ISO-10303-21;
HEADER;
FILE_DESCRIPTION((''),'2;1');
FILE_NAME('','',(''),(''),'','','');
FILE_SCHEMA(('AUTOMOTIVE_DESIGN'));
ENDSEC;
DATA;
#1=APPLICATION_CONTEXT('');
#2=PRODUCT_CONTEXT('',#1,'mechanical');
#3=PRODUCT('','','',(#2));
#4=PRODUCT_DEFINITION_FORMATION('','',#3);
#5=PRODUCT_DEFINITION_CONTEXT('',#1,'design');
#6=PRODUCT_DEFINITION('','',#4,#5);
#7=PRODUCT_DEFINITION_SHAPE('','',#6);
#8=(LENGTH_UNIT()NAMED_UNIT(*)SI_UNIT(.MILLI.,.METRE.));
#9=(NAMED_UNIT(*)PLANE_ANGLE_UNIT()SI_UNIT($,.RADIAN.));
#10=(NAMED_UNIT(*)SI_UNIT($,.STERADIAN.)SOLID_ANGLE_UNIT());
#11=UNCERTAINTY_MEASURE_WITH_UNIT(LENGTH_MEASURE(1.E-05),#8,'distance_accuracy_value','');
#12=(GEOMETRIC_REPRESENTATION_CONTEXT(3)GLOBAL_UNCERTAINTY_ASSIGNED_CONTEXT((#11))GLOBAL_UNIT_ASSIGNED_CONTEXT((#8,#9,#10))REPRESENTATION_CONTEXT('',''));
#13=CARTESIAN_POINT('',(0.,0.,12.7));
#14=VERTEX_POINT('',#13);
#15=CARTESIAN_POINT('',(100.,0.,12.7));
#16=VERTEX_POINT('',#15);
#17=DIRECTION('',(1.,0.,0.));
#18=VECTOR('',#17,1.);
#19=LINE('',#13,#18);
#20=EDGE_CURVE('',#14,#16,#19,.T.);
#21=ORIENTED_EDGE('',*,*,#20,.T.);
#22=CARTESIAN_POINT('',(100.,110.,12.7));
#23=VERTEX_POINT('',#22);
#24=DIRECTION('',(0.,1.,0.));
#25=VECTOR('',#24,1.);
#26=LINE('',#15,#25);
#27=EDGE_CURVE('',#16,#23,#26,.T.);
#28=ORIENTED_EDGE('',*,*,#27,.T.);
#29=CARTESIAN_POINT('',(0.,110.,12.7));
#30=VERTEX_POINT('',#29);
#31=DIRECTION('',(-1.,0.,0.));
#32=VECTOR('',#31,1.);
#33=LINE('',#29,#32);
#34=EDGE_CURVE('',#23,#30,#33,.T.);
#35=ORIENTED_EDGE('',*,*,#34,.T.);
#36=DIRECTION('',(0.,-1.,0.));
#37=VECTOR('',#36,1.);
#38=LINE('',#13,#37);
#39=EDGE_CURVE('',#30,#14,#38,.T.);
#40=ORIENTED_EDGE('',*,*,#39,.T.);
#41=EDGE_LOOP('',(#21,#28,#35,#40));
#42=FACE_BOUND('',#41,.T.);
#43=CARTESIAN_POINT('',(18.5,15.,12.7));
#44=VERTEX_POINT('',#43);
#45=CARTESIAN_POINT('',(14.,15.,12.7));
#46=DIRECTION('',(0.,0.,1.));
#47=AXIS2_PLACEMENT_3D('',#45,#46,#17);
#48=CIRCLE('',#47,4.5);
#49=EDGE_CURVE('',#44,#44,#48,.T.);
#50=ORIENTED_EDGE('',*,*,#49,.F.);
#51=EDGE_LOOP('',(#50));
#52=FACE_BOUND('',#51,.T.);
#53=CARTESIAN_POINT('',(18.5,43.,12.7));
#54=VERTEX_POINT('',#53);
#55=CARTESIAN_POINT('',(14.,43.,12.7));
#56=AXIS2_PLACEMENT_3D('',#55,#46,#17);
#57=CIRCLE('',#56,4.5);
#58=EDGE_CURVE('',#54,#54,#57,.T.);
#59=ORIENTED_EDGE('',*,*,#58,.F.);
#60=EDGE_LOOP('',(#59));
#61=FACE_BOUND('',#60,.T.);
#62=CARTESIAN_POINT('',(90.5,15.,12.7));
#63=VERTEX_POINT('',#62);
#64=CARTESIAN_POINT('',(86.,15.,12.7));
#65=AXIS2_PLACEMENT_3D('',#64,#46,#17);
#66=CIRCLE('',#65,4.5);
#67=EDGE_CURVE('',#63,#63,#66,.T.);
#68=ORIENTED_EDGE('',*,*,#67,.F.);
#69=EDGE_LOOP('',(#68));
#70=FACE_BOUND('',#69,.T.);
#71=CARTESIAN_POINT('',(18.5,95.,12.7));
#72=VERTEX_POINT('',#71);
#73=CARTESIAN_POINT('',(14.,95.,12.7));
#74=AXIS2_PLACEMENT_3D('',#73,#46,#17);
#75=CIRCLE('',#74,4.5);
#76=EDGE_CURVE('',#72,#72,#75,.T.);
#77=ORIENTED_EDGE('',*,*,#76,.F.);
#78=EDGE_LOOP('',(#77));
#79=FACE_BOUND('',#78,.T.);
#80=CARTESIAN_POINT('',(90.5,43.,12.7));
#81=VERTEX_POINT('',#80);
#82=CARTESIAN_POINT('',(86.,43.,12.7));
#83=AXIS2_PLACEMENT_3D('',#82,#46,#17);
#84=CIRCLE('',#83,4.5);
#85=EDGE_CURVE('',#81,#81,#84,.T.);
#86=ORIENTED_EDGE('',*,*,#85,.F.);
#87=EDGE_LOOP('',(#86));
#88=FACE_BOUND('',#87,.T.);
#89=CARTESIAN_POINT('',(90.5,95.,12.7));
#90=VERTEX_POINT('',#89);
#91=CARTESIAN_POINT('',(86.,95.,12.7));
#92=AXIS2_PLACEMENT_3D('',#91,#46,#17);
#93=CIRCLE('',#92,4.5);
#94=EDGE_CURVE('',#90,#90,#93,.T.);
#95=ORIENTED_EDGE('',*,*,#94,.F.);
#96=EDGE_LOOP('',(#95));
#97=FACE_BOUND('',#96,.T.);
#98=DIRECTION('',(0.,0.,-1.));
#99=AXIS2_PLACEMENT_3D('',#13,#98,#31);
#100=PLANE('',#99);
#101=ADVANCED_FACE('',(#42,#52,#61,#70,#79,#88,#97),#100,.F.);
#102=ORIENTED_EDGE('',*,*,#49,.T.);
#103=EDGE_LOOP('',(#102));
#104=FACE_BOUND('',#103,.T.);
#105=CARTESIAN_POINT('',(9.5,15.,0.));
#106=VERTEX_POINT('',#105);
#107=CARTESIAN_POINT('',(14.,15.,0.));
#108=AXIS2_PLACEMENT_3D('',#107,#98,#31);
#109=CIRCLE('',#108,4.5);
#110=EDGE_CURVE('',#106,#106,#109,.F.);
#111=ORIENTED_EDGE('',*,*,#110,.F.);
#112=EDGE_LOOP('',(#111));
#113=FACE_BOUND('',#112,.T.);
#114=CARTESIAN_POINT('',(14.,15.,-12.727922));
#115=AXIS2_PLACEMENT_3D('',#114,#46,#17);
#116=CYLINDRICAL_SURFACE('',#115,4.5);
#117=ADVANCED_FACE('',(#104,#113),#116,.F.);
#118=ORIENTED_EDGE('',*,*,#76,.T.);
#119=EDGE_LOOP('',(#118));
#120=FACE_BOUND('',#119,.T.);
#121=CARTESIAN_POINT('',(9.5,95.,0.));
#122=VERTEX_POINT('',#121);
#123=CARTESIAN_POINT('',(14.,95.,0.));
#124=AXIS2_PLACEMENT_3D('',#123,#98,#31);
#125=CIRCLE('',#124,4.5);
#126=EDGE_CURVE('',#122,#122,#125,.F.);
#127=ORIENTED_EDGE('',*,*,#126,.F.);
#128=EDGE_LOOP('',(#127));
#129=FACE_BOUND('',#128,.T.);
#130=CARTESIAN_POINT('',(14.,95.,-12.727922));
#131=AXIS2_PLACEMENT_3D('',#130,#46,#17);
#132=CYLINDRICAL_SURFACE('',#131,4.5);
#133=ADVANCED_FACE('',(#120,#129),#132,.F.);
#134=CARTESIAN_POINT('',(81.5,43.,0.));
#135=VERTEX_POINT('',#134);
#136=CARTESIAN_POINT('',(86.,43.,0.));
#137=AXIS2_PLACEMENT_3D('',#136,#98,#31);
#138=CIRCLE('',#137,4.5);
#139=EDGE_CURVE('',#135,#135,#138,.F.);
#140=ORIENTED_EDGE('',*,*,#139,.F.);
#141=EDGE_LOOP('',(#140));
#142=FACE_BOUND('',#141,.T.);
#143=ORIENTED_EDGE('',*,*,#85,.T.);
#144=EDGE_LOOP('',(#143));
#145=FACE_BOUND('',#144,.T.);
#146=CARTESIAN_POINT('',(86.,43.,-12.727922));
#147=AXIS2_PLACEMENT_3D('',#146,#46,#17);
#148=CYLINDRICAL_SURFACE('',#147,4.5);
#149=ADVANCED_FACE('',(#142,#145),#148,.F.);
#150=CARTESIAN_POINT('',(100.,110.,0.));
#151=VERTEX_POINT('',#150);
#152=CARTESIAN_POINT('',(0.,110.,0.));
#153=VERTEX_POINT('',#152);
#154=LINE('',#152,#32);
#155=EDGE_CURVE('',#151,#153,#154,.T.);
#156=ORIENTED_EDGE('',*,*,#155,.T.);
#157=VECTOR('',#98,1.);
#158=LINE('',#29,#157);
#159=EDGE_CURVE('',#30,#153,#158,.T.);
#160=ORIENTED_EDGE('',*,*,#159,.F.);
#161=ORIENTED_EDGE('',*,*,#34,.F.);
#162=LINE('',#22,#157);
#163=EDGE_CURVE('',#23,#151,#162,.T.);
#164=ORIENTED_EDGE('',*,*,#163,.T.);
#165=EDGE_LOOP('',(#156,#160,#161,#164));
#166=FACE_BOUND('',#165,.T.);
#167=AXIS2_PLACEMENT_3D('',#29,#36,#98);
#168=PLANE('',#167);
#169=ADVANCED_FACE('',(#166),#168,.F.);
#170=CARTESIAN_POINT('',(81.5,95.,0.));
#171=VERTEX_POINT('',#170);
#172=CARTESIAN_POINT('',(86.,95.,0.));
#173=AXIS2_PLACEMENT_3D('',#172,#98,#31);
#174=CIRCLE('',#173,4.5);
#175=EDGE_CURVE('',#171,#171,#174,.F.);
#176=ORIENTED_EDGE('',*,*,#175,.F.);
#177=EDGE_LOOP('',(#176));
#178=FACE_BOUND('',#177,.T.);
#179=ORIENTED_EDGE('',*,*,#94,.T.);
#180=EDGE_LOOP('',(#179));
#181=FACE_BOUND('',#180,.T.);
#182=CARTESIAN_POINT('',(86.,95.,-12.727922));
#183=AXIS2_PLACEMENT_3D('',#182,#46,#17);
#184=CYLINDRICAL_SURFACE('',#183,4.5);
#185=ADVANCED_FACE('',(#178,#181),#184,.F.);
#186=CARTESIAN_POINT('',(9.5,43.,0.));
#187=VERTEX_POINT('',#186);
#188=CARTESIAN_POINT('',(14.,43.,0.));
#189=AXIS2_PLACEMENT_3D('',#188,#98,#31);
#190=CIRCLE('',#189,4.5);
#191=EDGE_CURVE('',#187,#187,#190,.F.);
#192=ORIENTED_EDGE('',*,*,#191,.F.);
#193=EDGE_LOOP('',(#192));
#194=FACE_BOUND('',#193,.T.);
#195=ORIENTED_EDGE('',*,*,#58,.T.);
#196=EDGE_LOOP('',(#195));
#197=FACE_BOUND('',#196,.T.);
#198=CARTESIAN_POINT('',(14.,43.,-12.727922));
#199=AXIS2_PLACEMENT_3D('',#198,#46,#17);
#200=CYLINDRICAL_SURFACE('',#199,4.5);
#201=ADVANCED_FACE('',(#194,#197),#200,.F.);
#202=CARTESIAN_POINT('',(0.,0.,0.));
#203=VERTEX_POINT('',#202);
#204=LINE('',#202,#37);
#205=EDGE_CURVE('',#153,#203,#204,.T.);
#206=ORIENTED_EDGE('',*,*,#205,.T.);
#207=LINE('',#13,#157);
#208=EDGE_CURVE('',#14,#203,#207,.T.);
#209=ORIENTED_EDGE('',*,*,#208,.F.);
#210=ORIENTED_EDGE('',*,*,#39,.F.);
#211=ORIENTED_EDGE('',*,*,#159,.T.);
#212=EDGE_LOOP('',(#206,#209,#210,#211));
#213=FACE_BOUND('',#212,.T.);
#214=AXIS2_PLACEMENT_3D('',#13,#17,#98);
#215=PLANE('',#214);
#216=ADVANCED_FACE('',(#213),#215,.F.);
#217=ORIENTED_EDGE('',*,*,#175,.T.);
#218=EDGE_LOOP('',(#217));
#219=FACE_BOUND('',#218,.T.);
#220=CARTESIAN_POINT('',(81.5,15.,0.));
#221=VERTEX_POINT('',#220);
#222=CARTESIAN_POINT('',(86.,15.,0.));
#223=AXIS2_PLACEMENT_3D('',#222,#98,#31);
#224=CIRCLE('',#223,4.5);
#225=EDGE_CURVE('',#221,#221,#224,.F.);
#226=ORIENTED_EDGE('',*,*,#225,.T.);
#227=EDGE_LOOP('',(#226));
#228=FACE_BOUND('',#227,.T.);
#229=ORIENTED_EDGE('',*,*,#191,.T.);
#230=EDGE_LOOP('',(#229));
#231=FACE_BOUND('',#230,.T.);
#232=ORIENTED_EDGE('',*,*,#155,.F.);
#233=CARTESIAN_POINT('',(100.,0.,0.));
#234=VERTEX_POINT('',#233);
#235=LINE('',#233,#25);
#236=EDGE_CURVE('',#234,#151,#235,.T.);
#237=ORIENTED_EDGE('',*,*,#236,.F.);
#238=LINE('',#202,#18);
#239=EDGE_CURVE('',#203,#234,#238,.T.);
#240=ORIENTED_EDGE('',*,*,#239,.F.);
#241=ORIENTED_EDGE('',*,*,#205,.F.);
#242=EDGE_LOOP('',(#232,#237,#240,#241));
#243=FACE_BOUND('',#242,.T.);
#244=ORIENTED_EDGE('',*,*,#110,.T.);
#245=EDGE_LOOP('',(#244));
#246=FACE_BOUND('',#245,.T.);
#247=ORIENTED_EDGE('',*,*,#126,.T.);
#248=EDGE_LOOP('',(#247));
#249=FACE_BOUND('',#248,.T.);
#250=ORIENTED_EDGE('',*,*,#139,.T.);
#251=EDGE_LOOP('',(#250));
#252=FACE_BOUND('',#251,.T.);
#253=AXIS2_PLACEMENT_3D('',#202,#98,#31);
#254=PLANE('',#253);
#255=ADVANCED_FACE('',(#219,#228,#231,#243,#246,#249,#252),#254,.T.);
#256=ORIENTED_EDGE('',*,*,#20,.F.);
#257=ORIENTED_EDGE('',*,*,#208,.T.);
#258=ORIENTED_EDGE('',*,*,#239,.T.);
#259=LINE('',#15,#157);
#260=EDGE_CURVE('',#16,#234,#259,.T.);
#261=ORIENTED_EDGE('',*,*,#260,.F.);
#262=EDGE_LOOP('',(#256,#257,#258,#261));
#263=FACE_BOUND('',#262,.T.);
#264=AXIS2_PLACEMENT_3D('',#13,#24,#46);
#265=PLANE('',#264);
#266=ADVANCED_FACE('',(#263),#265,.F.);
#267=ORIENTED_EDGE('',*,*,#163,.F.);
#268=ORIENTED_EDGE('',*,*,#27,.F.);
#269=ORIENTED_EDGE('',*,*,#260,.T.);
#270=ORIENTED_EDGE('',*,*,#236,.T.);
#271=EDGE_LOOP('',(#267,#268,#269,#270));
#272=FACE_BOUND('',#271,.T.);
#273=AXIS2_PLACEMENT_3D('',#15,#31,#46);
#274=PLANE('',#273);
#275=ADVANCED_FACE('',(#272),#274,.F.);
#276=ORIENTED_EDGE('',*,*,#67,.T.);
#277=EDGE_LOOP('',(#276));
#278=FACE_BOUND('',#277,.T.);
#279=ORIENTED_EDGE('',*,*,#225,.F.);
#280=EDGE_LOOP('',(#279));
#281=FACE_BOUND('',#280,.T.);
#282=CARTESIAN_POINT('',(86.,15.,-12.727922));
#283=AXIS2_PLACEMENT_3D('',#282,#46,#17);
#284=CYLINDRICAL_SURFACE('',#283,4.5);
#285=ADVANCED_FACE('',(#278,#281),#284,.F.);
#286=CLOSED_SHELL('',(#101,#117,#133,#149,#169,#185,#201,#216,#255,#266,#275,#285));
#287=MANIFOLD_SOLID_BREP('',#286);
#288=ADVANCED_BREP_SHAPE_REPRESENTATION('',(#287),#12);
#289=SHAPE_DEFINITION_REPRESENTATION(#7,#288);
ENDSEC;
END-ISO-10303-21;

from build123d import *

# Parameters (mm, degrees)
SKETCH1_W           = 100
SKETCH1_H           = 110
BOSS_EXTRUDE1_DEPTH = 12.7
SKETCH2_R           = 4.5
CUT_EXTRUDE1_DEPTH  = 12.7


with BuildPart() as part:
    # Sketch1 → Boss-Extrude1 (new body)
    with BuildSketch(Plane.XY):
        with Locations((50, 55)):
            Rectangle(SKETCH1_W, SKETCH1_H)
    extrude(amount=BOSS_EXTRUDE1_DEPTH)

    # Sketch2 → Cut-Extrude1 (cut)
    with BuildSketch(Plane.XY.offset(12.7)):
        with Locations((86, 15)):
            Circle(SKETCH2_R)
        with Locations((14, 15)):
            Circle(SKETCH2_R)
        with BuildLine():
            ThreePointArc((18.5, 43), (14, 47.5), (9.5, 43))
            ThreePointArc((9.5, 43), (14, 38.5), (18.5, 43))
        make_face()
        with BuildLine():
            ThreePointArc((18.5, 95), (14, 99.5), (9.5, 95))
            ThreePointArc((9.5, 95), (14, 90.5), (18.5, 95))
        make_face()
        with BuildLine():
            ThreePointArc((90.5, 43), (86, 47.5), (81.5, 43))
            ThreePointArc((81.5, 43), (86, 38.5), (90.5, 43))
        make_face()
        with BuildLine():
            ThreePointArc((90.5, 95), (86, 99.5), (81.5, 95))
            ThreePointArc((81.5, 95), (86, 90.5), (90.5, 95))
        make_face()
    extrude(amount=-CUT_EXTRUDE1_DEPTH, mode=Mode.SUBTRACT)


solid = part.part
